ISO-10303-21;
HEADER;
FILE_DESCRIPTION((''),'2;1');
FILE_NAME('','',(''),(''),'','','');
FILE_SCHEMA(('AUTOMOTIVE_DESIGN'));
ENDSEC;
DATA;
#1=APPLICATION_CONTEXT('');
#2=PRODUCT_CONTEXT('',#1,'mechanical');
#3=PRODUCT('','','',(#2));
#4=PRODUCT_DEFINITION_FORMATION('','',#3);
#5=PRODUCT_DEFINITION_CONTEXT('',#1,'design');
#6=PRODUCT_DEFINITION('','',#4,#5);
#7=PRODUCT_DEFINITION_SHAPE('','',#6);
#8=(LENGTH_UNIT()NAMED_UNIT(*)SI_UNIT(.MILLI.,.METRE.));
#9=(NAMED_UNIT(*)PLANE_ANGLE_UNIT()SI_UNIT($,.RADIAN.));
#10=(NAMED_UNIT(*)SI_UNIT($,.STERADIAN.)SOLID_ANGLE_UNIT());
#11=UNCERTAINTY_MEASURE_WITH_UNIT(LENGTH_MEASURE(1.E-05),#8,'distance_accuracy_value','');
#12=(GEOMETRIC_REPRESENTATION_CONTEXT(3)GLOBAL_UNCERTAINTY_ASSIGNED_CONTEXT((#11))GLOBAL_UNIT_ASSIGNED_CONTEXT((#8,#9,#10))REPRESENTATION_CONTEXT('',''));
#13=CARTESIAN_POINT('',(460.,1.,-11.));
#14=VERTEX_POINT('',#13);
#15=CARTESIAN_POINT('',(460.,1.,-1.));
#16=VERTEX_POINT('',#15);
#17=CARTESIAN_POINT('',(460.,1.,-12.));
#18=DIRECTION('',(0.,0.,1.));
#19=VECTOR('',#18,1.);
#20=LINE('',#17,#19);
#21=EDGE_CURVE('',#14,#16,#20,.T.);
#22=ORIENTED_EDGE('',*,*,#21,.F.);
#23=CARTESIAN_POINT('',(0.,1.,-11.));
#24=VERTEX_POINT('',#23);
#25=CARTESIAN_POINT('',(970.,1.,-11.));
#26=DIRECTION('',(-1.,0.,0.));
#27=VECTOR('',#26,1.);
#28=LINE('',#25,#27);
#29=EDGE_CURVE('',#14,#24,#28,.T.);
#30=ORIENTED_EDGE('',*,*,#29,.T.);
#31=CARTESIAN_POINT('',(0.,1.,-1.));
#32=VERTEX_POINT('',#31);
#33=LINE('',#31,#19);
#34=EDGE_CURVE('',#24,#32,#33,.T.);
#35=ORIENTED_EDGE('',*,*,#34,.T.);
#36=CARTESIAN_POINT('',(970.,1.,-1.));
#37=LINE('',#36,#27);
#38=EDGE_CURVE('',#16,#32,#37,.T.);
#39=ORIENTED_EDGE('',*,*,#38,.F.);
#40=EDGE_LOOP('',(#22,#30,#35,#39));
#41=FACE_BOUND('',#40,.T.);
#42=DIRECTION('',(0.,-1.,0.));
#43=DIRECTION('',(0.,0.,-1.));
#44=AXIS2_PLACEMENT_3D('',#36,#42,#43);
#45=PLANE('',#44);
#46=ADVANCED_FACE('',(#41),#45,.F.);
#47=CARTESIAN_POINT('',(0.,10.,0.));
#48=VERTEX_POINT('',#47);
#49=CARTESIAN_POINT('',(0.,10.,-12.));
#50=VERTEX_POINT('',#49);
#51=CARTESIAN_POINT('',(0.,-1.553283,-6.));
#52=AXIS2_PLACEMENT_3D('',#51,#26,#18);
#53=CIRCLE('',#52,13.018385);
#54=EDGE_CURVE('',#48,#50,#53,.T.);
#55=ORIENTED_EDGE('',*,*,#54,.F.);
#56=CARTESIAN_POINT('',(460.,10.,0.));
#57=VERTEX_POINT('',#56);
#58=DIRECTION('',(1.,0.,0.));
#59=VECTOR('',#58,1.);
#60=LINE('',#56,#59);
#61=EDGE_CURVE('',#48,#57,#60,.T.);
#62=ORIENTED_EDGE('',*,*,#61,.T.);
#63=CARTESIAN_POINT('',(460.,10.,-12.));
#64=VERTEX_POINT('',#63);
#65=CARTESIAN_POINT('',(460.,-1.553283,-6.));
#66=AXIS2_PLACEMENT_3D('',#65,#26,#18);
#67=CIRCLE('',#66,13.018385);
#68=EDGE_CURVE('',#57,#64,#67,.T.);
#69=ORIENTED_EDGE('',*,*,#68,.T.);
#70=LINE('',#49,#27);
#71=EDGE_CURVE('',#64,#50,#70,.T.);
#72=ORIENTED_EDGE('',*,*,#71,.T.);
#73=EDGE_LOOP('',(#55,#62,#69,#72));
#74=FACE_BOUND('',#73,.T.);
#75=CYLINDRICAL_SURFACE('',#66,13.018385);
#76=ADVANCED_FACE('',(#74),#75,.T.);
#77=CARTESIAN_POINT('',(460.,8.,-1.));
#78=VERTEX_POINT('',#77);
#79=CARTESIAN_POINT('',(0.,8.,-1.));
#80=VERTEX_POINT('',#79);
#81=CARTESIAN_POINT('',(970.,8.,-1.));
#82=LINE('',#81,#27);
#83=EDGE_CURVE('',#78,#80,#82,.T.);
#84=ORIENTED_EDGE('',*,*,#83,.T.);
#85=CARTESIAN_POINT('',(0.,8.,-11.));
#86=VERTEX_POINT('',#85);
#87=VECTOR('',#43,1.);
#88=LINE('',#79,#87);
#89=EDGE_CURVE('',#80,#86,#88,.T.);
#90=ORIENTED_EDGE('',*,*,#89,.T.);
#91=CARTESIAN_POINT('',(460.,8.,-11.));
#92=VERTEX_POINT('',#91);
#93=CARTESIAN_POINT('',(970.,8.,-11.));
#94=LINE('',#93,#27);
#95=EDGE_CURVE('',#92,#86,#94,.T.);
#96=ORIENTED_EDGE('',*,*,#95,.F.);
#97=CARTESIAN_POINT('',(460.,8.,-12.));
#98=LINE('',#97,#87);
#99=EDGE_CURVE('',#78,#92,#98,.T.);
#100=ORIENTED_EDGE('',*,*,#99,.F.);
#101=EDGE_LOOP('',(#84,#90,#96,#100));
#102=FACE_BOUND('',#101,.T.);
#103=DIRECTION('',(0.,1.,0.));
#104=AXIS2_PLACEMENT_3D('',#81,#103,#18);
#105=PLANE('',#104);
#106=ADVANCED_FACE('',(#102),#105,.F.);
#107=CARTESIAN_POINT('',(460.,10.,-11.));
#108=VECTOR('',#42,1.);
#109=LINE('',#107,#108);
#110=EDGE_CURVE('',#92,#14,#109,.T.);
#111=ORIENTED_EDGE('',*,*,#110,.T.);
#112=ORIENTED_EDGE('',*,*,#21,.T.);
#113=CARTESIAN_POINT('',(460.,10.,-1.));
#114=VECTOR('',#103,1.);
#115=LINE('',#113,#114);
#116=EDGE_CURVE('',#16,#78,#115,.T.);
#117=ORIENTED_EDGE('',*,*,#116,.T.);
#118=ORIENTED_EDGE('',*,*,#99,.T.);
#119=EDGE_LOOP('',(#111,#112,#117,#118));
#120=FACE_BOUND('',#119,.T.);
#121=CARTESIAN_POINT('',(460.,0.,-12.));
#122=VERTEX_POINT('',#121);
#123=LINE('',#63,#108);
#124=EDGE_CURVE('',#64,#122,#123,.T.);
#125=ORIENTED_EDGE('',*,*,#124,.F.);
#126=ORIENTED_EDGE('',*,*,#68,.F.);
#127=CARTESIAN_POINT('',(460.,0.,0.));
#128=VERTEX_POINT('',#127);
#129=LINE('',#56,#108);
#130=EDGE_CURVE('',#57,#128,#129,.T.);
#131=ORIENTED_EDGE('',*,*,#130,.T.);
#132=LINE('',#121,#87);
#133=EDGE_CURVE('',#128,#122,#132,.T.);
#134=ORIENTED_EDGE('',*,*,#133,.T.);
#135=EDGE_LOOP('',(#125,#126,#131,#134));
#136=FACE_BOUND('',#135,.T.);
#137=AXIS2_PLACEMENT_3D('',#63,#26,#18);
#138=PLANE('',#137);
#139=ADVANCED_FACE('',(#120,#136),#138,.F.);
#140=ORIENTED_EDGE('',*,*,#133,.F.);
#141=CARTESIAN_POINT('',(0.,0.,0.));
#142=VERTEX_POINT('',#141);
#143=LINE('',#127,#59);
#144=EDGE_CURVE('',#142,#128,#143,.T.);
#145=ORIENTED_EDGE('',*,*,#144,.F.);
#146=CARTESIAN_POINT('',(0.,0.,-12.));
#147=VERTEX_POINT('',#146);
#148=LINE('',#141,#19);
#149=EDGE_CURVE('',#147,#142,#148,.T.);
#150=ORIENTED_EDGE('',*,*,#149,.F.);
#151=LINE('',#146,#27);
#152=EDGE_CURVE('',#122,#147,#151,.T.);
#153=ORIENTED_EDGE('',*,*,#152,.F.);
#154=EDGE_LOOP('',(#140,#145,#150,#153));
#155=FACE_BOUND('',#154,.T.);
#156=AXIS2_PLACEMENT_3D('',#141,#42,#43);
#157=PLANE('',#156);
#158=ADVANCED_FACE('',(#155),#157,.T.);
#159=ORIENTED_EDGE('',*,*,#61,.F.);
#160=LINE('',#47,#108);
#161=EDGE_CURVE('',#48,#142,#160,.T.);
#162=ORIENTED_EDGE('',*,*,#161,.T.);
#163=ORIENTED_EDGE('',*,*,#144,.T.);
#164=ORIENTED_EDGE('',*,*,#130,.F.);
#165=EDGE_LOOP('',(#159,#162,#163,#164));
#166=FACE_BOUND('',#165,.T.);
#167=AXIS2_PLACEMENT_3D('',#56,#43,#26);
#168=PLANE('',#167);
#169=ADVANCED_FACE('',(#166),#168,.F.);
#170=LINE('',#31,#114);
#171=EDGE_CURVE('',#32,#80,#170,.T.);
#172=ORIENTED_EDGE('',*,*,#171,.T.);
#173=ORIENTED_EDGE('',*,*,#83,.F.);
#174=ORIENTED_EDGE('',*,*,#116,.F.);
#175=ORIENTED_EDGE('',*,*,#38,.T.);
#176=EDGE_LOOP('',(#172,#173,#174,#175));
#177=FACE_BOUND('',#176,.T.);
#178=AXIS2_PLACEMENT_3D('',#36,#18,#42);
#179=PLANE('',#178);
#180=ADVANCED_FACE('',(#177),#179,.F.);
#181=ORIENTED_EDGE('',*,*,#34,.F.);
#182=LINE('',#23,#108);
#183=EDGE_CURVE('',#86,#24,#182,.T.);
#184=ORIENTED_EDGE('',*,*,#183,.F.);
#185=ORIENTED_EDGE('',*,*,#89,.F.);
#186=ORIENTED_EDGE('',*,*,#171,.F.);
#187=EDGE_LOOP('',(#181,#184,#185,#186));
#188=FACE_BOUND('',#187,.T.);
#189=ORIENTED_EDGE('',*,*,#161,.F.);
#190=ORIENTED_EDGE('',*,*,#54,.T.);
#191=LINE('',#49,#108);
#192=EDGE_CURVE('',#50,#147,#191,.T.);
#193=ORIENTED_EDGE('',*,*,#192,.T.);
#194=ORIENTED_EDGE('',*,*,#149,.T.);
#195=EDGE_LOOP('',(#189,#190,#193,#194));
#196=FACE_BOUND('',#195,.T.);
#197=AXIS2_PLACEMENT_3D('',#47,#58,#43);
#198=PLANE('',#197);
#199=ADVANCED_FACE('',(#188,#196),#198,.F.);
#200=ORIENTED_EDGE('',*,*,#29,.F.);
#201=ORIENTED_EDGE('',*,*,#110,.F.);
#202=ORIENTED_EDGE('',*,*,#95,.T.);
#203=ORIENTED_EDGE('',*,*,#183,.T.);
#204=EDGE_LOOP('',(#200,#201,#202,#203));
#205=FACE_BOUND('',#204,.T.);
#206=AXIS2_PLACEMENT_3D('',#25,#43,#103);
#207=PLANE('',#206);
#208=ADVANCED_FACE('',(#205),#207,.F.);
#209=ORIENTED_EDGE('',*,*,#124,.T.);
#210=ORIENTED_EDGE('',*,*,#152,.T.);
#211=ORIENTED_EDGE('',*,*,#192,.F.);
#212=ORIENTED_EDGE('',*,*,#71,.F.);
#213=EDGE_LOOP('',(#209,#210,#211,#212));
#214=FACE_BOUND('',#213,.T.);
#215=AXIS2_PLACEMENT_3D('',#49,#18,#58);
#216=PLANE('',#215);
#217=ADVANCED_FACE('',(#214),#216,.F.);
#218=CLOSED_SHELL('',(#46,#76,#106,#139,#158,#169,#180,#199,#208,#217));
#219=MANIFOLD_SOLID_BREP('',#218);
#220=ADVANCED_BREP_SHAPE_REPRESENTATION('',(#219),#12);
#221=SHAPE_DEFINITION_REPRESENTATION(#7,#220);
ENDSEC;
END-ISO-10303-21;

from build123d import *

# Parameters (mm, degrees)
CROQUIS1_W              = 460
CROQUIS1_H              = 12
SALIENTE_EXTRUIR1_DEPTH = 10
CROQUIS2_W              = 10
CROQUIS2_H              = 7
CORTAR_EXTRUIR1_DEPTH   = 970
SALIENTE_EXTRUIR2_DEPTH = 460


with BuildPart() as part:
    # Croquis1 → Saliente-Extruir1 (new body)
    with BuildSketch(Plane(origin=(0, 0, 0), x_dir=(1, 0, 0), z_dir=(0, 1, 0))):
        with Locations((230, 6)):
            Rectangle(CROQUIS1_W, CROQUIS1_H)
    extrude(amount=SALIENTE_EXTRUIR1_DEPTH)

    # Croquis2 → Cortar-Extruir1 (cut)
    with BuildSketch(Plane.ZY):
        with Locations((-6, 4.5)):
            Rectangle(CROQUIS2_W, CROQUIS2_H)
    extrude(amount=-CORTAR_EXTRUIR1_DEPTH, mode=Mode.SUBTRACT)

    # Croquis3 → Saliente-Extruir2 (add)
    with BuildSketch(Plane.ZY):
        with BuildLine():
            ThreePointArc((0, 10), (-6, 11.465101961), (-12, 10))
            Line((-12, 10), (0, 10))
        make_face()
    extrude(amount=-SALIENTE_EXTRUIR2_DEPTH)


solid = part.part
